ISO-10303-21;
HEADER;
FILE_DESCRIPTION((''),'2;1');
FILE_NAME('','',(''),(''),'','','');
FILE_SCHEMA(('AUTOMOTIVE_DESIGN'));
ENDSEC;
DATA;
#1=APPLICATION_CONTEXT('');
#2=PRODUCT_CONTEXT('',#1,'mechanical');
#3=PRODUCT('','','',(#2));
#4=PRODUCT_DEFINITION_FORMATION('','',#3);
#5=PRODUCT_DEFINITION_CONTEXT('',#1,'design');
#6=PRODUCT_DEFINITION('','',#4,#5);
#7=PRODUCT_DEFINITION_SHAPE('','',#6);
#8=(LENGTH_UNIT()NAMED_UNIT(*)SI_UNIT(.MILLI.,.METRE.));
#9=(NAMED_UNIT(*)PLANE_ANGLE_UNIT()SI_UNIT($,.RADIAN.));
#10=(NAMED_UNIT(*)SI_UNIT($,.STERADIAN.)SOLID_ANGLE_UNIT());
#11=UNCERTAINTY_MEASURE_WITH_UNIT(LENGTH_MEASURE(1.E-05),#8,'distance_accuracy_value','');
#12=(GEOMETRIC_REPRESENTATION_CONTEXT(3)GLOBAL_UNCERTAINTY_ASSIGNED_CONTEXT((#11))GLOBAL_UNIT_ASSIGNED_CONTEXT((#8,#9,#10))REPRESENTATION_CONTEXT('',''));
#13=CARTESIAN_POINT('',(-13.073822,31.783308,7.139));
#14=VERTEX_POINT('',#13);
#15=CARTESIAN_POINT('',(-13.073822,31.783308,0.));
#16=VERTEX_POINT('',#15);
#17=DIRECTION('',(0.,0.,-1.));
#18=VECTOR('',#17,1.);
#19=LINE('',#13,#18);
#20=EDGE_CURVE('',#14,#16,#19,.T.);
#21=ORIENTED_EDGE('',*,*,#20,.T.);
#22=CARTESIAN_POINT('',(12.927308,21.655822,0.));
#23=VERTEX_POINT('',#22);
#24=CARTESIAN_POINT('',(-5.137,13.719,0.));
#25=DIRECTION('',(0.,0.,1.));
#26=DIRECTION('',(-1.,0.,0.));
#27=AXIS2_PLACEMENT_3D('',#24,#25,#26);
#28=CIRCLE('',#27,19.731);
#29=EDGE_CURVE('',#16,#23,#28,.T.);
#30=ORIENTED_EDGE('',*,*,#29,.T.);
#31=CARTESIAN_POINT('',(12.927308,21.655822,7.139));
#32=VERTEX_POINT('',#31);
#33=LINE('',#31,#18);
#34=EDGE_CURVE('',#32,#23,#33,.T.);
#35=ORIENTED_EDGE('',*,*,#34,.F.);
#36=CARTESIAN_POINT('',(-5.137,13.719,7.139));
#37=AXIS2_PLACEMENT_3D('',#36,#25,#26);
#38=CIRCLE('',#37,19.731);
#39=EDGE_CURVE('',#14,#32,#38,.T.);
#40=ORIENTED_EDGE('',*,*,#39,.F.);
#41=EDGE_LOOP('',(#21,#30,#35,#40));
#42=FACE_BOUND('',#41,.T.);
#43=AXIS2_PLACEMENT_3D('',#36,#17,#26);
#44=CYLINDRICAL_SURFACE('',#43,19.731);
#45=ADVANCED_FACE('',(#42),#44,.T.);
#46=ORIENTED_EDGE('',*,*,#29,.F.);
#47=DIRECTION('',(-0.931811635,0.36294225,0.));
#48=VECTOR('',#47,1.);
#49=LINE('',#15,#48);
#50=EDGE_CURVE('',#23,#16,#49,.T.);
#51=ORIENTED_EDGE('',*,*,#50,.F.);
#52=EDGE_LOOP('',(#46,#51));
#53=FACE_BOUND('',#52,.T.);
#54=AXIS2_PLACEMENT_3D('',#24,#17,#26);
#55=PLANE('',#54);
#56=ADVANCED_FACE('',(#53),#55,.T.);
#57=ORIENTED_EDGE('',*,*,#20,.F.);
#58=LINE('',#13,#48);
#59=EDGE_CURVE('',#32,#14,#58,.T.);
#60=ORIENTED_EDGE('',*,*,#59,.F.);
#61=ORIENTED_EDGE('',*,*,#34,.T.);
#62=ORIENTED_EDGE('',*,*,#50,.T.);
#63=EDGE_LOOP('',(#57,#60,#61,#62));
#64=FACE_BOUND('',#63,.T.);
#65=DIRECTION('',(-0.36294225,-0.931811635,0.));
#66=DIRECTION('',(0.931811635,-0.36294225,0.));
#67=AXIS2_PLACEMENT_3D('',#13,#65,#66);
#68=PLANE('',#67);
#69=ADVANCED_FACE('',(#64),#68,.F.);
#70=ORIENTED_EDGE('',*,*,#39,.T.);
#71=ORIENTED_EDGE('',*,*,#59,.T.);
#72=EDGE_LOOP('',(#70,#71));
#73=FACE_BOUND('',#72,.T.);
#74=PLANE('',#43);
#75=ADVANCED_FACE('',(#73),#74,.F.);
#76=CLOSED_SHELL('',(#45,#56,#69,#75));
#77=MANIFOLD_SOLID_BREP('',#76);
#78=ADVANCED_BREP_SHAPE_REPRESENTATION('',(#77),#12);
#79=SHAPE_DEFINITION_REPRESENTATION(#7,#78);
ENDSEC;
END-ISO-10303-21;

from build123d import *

# Parameters (mm, degrees)
CURVEBOSS_DEPTH = 7.139


with BuildPart() as part:
    # CurveSketch → CurveBoss (new body)
    with BuildSketch(Plane.XY):
        with BuildLine():
            Line((-13.073822369, 31.783307673), (12.927307673, 21.655822369))
            ThreePointArc((12.927307673, 21.655822369), (-12.298213535, -4.666575371), (-13.073822369, 31.783307673))
        make_face()
    extrude(amount=CURVEBOSS_DEPTH)


solid = part.part
